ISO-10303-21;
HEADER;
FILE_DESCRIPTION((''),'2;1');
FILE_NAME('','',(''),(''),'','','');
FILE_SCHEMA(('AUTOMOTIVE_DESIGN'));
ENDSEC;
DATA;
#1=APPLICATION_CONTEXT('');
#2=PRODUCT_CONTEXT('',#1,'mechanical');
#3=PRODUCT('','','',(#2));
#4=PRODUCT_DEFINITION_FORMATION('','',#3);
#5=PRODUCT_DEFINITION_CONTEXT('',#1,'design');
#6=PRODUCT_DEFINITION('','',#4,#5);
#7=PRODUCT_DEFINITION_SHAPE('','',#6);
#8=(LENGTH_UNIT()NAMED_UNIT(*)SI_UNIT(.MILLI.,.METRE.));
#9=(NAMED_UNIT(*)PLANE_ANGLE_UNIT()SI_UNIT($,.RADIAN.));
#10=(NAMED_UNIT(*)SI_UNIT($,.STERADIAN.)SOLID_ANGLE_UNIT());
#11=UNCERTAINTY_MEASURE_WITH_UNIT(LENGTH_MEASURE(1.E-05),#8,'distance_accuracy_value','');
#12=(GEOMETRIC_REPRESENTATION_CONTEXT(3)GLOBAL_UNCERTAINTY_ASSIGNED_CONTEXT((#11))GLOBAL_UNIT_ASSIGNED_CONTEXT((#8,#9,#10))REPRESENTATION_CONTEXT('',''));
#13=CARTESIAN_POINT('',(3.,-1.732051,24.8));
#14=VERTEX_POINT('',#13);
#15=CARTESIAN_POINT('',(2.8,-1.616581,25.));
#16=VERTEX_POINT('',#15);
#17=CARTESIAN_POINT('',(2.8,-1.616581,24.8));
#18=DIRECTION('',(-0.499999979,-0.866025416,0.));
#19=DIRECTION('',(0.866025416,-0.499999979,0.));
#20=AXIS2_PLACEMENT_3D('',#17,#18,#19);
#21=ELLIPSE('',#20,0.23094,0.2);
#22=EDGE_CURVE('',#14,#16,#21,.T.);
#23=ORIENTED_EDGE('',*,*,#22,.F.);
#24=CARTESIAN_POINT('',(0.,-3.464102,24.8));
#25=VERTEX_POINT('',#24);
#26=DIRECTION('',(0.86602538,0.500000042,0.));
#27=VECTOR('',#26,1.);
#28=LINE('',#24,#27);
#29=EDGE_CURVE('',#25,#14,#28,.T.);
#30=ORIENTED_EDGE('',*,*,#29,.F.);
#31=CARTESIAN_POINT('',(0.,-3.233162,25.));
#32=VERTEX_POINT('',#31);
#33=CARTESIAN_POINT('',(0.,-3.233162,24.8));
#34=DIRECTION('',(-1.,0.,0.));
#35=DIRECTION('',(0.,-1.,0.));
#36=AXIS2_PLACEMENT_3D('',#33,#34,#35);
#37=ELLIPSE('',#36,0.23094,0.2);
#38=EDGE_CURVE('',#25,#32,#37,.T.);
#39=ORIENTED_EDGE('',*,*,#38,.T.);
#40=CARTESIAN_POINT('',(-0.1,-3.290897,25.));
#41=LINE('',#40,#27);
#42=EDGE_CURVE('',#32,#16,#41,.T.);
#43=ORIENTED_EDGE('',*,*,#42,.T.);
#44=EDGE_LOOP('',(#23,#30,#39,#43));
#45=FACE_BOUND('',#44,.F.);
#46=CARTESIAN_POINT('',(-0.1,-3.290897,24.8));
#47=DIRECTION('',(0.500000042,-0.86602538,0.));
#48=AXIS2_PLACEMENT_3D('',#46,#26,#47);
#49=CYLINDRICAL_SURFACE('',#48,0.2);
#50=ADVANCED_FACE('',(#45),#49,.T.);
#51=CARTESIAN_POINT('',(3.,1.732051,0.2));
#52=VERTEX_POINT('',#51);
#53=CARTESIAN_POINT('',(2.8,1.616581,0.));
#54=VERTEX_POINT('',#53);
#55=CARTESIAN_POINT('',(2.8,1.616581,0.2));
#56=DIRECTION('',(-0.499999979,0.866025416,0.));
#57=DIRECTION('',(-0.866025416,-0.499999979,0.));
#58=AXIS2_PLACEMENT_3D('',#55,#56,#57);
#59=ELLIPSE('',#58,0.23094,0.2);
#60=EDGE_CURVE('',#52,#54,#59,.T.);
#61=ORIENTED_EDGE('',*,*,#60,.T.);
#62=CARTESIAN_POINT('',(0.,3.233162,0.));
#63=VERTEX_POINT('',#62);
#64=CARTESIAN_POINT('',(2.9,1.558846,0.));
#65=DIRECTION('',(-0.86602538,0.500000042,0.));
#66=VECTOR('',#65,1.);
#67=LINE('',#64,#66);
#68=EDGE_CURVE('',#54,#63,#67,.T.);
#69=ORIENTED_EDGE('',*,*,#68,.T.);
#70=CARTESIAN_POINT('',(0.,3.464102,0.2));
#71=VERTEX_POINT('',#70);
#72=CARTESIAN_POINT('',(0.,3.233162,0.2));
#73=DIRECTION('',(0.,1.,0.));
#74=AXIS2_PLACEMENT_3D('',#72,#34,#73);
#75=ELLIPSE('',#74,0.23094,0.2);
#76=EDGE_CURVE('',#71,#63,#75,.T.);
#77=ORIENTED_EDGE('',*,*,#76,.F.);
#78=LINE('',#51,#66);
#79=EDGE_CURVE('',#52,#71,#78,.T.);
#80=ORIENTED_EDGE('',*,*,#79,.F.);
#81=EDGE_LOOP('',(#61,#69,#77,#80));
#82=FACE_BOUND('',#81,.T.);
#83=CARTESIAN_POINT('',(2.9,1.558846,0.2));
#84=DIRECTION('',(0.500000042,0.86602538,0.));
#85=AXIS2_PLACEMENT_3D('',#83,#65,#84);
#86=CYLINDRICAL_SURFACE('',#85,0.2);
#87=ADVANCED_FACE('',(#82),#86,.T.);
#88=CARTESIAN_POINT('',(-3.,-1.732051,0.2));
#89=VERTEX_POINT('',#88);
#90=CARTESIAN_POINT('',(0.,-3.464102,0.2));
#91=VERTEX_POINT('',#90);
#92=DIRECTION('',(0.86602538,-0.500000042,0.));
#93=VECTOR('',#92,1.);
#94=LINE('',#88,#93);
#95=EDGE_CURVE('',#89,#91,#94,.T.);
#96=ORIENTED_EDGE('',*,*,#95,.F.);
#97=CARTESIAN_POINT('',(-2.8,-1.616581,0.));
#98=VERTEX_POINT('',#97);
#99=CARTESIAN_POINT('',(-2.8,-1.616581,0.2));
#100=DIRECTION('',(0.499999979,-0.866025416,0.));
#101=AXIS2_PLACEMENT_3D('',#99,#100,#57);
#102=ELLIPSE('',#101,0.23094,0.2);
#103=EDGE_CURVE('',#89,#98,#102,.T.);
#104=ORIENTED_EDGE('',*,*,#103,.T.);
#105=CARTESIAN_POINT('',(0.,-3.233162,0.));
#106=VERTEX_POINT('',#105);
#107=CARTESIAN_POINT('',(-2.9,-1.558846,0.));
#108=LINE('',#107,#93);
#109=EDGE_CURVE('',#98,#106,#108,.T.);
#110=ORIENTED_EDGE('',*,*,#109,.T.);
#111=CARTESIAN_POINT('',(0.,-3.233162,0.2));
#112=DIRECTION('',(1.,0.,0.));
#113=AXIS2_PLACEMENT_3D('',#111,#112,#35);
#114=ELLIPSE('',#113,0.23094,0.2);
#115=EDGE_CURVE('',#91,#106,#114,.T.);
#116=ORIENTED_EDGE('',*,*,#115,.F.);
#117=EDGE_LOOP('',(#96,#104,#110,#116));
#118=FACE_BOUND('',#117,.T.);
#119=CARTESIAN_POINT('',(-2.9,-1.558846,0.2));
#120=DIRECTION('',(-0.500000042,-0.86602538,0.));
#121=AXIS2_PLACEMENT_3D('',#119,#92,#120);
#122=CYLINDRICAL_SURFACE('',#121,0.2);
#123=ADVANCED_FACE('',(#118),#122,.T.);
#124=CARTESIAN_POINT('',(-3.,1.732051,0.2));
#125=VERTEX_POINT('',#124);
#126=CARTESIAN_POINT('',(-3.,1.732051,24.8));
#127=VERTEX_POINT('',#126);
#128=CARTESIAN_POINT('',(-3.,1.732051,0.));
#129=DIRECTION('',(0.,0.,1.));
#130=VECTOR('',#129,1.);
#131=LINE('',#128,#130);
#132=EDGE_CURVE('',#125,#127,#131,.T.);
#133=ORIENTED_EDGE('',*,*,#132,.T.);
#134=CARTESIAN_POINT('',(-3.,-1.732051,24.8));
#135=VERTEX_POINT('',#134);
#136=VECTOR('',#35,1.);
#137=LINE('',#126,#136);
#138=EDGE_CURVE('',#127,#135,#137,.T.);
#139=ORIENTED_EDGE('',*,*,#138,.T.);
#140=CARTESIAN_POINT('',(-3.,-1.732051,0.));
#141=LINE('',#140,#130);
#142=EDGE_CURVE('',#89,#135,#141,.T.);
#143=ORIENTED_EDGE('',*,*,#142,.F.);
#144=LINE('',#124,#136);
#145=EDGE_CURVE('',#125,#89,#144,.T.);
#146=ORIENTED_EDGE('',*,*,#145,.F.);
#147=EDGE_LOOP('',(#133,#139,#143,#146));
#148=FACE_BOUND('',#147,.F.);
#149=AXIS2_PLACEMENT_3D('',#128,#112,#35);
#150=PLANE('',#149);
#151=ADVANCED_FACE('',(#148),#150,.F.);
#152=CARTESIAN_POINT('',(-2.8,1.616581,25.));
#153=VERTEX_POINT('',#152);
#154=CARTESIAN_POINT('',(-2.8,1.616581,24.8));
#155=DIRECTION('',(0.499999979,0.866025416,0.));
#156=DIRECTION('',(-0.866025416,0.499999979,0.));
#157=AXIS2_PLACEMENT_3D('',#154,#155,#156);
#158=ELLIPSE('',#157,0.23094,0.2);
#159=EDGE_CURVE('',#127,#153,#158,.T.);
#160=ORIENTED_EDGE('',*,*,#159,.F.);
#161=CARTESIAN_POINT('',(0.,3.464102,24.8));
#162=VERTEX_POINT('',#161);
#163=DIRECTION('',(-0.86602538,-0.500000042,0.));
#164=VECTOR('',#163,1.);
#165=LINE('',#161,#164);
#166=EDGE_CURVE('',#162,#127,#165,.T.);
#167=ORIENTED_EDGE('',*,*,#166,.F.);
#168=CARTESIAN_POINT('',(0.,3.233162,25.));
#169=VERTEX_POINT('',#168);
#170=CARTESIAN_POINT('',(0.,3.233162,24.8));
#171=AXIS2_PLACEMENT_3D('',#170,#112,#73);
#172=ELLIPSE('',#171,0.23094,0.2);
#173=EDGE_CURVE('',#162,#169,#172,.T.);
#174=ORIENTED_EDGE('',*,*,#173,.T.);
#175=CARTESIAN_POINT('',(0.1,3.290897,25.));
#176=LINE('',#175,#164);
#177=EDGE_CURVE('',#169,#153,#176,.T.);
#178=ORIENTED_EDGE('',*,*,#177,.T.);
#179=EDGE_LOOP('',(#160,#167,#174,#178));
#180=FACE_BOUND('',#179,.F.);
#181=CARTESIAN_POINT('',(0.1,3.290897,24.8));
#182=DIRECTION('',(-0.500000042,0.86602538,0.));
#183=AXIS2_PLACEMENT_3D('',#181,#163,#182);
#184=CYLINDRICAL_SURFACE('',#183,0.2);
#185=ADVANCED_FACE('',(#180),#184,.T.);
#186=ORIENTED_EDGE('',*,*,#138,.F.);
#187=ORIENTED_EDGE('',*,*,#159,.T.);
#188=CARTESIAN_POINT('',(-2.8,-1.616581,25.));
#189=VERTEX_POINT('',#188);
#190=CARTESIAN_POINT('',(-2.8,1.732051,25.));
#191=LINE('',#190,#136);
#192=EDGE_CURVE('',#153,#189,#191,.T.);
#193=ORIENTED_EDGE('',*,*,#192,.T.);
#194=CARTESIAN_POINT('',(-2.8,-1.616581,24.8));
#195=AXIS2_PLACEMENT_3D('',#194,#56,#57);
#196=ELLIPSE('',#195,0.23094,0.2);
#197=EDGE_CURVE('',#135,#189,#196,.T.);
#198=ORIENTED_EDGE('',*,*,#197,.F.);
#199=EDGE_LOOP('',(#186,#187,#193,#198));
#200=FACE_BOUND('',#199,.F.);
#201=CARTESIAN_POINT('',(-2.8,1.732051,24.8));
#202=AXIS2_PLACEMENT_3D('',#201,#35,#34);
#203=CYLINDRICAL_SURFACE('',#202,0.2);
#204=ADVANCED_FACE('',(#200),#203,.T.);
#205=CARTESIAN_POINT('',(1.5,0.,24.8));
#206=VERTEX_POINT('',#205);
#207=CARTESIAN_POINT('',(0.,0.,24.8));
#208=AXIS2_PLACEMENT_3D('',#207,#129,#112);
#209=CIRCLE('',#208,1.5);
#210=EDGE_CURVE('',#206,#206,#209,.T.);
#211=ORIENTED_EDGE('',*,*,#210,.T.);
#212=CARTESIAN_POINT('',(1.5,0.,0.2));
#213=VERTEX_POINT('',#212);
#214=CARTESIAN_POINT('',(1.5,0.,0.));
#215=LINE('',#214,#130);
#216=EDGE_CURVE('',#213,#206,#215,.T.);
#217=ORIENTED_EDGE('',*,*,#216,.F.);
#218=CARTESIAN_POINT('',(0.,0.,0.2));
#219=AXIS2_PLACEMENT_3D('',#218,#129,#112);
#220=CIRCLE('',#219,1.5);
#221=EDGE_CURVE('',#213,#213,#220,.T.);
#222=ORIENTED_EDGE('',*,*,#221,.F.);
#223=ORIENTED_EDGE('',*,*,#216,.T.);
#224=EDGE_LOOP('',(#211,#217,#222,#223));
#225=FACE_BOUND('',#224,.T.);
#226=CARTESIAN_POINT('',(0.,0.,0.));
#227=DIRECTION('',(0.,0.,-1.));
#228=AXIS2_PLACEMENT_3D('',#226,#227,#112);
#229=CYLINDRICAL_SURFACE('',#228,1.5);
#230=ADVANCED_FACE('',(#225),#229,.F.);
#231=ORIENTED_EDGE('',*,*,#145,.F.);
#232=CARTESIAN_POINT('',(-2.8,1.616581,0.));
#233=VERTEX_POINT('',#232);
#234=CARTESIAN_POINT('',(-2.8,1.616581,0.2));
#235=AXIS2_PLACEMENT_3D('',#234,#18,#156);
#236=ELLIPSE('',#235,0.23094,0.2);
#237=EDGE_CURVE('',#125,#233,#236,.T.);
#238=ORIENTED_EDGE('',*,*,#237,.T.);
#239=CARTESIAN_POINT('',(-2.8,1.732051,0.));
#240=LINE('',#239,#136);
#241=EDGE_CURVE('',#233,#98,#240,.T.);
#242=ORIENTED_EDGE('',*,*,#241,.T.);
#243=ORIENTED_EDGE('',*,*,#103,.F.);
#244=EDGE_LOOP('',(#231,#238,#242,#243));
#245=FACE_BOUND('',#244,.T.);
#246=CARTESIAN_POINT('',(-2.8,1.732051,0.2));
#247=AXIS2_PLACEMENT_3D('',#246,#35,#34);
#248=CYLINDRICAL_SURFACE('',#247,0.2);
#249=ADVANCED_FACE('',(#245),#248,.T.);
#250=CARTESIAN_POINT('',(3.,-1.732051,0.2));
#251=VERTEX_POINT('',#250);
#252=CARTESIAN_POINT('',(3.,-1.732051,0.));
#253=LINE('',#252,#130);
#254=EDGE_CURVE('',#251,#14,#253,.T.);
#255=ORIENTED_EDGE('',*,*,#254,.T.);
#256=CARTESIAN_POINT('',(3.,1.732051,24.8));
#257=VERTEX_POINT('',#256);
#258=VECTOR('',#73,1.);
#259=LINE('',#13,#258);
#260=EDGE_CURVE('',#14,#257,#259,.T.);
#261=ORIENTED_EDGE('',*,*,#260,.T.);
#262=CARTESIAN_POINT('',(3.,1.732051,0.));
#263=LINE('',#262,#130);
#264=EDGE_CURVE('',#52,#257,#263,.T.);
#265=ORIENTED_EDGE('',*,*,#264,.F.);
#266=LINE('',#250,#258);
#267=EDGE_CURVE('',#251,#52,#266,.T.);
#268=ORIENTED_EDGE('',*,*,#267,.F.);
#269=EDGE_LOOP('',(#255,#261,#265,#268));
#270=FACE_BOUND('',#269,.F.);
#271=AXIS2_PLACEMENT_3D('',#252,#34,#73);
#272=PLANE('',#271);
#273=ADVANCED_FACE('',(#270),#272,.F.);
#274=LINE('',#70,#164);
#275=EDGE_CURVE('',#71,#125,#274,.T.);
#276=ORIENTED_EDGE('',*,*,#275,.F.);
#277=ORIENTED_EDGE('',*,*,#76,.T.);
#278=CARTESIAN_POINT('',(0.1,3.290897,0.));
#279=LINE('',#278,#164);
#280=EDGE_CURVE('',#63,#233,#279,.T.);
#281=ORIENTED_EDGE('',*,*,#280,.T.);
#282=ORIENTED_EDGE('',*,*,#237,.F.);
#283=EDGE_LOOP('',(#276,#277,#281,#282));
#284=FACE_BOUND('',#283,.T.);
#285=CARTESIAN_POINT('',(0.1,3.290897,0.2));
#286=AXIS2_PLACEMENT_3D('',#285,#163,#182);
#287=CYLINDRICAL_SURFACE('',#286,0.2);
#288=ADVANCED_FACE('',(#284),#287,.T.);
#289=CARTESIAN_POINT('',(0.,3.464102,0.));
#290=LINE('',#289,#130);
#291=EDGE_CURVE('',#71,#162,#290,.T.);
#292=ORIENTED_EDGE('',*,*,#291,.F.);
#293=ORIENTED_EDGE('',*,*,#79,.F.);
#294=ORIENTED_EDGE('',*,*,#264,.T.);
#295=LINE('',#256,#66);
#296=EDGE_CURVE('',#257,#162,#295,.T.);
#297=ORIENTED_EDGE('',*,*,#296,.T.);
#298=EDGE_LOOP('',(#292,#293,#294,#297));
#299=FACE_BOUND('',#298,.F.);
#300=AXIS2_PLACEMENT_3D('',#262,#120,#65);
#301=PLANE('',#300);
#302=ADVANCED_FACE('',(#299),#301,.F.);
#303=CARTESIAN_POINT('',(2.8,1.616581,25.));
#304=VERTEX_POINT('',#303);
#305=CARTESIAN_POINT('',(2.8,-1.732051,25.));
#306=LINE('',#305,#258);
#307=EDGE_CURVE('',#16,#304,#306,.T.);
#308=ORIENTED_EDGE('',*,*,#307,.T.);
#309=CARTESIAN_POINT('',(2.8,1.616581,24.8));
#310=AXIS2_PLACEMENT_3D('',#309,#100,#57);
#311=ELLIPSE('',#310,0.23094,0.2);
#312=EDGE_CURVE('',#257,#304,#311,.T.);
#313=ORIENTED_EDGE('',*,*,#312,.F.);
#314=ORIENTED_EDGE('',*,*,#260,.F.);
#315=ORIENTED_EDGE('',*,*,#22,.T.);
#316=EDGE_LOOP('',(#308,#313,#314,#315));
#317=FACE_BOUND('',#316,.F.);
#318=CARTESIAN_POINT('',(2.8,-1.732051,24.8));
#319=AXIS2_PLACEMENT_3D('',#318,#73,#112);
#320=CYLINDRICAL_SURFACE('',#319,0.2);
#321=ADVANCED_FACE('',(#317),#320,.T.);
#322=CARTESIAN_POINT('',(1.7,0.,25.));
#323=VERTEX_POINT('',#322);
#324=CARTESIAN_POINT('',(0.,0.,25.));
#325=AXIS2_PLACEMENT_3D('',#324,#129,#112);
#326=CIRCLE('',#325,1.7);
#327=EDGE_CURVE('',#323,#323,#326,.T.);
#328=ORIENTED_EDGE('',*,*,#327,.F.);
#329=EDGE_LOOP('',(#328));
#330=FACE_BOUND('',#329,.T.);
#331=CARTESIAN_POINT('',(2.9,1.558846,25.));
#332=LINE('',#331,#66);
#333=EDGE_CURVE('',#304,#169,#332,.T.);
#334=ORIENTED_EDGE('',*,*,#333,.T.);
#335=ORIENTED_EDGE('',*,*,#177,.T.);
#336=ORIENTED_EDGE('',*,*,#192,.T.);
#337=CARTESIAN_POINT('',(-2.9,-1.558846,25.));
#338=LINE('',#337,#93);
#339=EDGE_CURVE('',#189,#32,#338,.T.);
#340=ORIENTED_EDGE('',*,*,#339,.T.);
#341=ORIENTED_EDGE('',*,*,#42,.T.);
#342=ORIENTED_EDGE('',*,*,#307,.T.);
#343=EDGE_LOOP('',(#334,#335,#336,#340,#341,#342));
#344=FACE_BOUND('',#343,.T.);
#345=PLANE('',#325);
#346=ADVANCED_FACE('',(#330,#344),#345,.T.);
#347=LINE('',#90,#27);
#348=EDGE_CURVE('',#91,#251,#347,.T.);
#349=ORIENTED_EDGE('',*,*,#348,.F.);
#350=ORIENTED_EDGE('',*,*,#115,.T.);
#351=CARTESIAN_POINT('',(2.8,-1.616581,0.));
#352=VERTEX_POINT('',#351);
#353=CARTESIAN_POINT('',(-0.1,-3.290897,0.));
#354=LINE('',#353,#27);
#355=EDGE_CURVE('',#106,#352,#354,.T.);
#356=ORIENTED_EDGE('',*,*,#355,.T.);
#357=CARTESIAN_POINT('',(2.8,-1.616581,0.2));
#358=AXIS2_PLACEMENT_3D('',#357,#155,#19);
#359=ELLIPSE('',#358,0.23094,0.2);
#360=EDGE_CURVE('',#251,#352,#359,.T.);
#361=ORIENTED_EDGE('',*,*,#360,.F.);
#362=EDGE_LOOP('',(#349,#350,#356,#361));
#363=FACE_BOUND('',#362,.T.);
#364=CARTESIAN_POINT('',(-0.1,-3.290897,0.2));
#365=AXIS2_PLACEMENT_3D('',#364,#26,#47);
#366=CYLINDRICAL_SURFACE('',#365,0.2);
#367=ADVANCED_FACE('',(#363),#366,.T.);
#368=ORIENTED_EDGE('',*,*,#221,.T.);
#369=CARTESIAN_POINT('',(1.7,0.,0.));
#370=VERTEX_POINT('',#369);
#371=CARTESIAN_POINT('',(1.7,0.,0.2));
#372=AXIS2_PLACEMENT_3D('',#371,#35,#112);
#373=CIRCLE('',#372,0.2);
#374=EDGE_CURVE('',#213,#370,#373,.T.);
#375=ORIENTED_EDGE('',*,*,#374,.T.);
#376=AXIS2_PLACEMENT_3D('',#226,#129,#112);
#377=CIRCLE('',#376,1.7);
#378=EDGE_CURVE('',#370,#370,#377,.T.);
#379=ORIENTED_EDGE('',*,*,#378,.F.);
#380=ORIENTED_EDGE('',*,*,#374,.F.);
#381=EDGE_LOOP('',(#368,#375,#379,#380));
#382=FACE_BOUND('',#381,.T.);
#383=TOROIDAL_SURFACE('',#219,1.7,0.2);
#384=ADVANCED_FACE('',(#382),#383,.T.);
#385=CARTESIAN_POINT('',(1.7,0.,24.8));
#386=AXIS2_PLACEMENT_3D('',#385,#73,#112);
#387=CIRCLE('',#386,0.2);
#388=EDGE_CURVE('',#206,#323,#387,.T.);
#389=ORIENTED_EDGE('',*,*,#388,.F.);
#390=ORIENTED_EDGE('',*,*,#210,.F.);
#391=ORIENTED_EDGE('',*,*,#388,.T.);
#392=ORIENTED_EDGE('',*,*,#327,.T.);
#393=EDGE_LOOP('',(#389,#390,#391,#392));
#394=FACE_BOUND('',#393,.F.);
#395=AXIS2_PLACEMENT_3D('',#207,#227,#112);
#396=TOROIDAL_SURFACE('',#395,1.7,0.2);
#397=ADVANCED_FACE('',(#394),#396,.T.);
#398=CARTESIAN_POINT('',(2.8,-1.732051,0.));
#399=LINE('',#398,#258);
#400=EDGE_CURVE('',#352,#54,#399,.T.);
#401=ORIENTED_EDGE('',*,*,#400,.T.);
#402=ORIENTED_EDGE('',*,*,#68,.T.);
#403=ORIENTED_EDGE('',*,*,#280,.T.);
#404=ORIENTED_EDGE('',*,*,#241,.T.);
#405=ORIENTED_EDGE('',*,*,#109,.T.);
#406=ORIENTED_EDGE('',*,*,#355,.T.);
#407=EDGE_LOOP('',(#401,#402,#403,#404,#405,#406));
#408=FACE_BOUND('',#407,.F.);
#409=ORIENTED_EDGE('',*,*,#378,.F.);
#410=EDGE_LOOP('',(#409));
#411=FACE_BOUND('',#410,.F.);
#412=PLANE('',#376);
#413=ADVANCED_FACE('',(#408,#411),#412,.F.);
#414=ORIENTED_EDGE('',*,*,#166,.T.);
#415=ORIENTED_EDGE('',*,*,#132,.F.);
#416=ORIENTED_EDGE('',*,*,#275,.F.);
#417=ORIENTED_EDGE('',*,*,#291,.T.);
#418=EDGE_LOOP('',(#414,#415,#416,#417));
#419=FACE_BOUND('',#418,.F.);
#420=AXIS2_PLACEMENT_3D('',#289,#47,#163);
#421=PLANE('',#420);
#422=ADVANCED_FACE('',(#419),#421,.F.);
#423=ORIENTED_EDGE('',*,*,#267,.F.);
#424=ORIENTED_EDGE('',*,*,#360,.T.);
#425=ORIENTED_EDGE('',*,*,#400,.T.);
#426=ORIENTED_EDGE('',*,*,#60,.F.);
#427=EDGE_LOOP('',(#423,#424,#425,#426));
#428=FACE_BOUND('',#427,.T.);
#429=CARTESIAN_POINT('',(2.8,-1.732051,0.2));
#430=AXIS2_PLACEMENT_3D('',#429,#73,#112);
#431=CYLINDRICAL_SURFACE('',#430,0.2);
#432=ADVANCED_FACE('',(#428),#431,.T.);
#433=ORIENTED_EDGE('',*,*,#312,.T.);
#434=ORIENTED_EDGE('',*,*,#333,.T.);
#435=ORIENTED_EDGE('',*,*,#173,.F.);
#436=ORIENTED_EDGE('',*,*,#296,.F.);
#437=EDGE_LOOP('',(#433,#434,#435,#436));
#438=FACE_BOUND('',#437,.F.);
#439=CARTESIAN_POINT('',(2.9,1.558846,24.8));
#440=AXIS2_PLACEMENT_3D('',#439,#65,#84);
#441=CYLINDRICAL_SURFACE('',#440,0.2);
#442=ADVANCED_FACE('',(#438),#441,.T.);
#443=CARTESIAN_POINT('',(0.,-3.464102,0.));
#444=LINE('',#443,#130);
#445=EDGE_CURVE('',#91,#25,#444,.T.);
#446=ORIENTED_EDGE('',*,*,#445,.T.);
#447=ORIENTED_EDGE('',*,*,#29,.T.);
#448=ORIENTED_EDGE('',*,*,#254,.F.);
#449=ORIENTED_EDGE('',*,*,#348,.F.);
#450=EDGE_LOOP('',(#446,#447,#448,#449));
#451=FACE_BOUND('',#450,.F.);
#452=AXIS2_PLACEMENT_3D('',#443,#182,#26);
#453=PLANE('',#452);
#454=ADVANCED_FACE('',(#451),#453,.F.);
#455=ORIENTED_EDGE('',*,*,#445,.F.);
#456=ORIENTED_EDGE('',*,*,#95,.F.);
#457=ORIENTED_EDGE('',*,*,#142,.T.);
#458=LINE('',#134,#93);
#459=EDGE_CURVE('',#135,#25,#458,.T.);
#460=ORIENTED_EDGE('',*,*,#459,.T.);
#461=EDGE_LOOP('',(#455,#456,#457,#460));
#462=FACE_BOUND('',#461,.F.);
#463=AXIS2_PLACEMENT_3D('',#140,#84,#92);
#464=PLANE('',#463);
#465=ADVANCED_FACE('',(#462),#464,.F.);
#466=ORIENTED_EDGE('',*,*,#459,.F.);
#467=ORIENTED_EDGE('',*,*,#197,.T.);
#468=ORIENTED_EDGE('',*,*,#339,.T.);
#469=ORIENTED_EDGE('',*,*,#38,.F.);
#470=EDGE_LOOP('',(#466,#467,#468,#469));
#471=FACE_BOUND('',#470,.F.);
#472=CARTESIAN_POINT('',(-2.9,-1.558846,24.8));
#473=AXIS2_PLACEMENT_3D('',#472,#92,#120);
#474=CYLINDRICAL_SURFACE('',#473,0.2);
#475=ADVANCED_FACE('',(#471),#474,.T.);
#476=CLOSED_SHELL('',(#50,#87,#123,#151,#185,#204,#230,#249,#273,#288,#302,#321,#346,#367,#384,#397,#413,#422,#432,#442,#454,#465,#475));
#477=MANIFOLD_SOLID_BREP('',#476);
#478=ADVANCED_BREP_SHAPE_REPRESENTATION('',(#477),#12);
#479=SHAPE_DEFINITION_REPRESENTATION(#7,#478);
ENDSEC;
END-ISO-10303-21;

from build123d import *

# Parameters (mm, degrees)
F0_R     = 1.5
F1_DEPTH = 25
F2_R     = 0.2


with BuildPart() as f1:
    # F0 (on Top) → F1 (new body)
    with BuildSketch(Plane.XY):
        Polygon((3, 1.732051), (0, 3.464102), (-3, 1.732051), (-3, -1.732051), (0, -3.464102), (3, -1.732051), align=None)
        Circle(F0_R, mode=Mode.SUBTRACT)
    extrude(amount=F1_DEPTH)

    # F2
    f2_edges = [f1.edges().sort_by_distance(p)[0] for p in [
        (1.5, 2.598076, 25),
        (-1.5, 2.598076, 25),
        (-3, 0, 25),
        (-1.5, -2.598076, 25),
        (1.5, -2.598076, 25),
        (3, 0, 25),
        (-1.5, 0, 25),
        (1.5, 2.598076, 0),
        (-1.5, 2.598076, 0),
        (-3, 0, 0),
        (-1.5, -2.598076, 0),
        (1.5, -2.598076, 0),
        (3, 0, 0),
        (-1.5, 0, 0),
    ]]
    fillet(f2_edges, radius=F2_R)


solid = f1.part
